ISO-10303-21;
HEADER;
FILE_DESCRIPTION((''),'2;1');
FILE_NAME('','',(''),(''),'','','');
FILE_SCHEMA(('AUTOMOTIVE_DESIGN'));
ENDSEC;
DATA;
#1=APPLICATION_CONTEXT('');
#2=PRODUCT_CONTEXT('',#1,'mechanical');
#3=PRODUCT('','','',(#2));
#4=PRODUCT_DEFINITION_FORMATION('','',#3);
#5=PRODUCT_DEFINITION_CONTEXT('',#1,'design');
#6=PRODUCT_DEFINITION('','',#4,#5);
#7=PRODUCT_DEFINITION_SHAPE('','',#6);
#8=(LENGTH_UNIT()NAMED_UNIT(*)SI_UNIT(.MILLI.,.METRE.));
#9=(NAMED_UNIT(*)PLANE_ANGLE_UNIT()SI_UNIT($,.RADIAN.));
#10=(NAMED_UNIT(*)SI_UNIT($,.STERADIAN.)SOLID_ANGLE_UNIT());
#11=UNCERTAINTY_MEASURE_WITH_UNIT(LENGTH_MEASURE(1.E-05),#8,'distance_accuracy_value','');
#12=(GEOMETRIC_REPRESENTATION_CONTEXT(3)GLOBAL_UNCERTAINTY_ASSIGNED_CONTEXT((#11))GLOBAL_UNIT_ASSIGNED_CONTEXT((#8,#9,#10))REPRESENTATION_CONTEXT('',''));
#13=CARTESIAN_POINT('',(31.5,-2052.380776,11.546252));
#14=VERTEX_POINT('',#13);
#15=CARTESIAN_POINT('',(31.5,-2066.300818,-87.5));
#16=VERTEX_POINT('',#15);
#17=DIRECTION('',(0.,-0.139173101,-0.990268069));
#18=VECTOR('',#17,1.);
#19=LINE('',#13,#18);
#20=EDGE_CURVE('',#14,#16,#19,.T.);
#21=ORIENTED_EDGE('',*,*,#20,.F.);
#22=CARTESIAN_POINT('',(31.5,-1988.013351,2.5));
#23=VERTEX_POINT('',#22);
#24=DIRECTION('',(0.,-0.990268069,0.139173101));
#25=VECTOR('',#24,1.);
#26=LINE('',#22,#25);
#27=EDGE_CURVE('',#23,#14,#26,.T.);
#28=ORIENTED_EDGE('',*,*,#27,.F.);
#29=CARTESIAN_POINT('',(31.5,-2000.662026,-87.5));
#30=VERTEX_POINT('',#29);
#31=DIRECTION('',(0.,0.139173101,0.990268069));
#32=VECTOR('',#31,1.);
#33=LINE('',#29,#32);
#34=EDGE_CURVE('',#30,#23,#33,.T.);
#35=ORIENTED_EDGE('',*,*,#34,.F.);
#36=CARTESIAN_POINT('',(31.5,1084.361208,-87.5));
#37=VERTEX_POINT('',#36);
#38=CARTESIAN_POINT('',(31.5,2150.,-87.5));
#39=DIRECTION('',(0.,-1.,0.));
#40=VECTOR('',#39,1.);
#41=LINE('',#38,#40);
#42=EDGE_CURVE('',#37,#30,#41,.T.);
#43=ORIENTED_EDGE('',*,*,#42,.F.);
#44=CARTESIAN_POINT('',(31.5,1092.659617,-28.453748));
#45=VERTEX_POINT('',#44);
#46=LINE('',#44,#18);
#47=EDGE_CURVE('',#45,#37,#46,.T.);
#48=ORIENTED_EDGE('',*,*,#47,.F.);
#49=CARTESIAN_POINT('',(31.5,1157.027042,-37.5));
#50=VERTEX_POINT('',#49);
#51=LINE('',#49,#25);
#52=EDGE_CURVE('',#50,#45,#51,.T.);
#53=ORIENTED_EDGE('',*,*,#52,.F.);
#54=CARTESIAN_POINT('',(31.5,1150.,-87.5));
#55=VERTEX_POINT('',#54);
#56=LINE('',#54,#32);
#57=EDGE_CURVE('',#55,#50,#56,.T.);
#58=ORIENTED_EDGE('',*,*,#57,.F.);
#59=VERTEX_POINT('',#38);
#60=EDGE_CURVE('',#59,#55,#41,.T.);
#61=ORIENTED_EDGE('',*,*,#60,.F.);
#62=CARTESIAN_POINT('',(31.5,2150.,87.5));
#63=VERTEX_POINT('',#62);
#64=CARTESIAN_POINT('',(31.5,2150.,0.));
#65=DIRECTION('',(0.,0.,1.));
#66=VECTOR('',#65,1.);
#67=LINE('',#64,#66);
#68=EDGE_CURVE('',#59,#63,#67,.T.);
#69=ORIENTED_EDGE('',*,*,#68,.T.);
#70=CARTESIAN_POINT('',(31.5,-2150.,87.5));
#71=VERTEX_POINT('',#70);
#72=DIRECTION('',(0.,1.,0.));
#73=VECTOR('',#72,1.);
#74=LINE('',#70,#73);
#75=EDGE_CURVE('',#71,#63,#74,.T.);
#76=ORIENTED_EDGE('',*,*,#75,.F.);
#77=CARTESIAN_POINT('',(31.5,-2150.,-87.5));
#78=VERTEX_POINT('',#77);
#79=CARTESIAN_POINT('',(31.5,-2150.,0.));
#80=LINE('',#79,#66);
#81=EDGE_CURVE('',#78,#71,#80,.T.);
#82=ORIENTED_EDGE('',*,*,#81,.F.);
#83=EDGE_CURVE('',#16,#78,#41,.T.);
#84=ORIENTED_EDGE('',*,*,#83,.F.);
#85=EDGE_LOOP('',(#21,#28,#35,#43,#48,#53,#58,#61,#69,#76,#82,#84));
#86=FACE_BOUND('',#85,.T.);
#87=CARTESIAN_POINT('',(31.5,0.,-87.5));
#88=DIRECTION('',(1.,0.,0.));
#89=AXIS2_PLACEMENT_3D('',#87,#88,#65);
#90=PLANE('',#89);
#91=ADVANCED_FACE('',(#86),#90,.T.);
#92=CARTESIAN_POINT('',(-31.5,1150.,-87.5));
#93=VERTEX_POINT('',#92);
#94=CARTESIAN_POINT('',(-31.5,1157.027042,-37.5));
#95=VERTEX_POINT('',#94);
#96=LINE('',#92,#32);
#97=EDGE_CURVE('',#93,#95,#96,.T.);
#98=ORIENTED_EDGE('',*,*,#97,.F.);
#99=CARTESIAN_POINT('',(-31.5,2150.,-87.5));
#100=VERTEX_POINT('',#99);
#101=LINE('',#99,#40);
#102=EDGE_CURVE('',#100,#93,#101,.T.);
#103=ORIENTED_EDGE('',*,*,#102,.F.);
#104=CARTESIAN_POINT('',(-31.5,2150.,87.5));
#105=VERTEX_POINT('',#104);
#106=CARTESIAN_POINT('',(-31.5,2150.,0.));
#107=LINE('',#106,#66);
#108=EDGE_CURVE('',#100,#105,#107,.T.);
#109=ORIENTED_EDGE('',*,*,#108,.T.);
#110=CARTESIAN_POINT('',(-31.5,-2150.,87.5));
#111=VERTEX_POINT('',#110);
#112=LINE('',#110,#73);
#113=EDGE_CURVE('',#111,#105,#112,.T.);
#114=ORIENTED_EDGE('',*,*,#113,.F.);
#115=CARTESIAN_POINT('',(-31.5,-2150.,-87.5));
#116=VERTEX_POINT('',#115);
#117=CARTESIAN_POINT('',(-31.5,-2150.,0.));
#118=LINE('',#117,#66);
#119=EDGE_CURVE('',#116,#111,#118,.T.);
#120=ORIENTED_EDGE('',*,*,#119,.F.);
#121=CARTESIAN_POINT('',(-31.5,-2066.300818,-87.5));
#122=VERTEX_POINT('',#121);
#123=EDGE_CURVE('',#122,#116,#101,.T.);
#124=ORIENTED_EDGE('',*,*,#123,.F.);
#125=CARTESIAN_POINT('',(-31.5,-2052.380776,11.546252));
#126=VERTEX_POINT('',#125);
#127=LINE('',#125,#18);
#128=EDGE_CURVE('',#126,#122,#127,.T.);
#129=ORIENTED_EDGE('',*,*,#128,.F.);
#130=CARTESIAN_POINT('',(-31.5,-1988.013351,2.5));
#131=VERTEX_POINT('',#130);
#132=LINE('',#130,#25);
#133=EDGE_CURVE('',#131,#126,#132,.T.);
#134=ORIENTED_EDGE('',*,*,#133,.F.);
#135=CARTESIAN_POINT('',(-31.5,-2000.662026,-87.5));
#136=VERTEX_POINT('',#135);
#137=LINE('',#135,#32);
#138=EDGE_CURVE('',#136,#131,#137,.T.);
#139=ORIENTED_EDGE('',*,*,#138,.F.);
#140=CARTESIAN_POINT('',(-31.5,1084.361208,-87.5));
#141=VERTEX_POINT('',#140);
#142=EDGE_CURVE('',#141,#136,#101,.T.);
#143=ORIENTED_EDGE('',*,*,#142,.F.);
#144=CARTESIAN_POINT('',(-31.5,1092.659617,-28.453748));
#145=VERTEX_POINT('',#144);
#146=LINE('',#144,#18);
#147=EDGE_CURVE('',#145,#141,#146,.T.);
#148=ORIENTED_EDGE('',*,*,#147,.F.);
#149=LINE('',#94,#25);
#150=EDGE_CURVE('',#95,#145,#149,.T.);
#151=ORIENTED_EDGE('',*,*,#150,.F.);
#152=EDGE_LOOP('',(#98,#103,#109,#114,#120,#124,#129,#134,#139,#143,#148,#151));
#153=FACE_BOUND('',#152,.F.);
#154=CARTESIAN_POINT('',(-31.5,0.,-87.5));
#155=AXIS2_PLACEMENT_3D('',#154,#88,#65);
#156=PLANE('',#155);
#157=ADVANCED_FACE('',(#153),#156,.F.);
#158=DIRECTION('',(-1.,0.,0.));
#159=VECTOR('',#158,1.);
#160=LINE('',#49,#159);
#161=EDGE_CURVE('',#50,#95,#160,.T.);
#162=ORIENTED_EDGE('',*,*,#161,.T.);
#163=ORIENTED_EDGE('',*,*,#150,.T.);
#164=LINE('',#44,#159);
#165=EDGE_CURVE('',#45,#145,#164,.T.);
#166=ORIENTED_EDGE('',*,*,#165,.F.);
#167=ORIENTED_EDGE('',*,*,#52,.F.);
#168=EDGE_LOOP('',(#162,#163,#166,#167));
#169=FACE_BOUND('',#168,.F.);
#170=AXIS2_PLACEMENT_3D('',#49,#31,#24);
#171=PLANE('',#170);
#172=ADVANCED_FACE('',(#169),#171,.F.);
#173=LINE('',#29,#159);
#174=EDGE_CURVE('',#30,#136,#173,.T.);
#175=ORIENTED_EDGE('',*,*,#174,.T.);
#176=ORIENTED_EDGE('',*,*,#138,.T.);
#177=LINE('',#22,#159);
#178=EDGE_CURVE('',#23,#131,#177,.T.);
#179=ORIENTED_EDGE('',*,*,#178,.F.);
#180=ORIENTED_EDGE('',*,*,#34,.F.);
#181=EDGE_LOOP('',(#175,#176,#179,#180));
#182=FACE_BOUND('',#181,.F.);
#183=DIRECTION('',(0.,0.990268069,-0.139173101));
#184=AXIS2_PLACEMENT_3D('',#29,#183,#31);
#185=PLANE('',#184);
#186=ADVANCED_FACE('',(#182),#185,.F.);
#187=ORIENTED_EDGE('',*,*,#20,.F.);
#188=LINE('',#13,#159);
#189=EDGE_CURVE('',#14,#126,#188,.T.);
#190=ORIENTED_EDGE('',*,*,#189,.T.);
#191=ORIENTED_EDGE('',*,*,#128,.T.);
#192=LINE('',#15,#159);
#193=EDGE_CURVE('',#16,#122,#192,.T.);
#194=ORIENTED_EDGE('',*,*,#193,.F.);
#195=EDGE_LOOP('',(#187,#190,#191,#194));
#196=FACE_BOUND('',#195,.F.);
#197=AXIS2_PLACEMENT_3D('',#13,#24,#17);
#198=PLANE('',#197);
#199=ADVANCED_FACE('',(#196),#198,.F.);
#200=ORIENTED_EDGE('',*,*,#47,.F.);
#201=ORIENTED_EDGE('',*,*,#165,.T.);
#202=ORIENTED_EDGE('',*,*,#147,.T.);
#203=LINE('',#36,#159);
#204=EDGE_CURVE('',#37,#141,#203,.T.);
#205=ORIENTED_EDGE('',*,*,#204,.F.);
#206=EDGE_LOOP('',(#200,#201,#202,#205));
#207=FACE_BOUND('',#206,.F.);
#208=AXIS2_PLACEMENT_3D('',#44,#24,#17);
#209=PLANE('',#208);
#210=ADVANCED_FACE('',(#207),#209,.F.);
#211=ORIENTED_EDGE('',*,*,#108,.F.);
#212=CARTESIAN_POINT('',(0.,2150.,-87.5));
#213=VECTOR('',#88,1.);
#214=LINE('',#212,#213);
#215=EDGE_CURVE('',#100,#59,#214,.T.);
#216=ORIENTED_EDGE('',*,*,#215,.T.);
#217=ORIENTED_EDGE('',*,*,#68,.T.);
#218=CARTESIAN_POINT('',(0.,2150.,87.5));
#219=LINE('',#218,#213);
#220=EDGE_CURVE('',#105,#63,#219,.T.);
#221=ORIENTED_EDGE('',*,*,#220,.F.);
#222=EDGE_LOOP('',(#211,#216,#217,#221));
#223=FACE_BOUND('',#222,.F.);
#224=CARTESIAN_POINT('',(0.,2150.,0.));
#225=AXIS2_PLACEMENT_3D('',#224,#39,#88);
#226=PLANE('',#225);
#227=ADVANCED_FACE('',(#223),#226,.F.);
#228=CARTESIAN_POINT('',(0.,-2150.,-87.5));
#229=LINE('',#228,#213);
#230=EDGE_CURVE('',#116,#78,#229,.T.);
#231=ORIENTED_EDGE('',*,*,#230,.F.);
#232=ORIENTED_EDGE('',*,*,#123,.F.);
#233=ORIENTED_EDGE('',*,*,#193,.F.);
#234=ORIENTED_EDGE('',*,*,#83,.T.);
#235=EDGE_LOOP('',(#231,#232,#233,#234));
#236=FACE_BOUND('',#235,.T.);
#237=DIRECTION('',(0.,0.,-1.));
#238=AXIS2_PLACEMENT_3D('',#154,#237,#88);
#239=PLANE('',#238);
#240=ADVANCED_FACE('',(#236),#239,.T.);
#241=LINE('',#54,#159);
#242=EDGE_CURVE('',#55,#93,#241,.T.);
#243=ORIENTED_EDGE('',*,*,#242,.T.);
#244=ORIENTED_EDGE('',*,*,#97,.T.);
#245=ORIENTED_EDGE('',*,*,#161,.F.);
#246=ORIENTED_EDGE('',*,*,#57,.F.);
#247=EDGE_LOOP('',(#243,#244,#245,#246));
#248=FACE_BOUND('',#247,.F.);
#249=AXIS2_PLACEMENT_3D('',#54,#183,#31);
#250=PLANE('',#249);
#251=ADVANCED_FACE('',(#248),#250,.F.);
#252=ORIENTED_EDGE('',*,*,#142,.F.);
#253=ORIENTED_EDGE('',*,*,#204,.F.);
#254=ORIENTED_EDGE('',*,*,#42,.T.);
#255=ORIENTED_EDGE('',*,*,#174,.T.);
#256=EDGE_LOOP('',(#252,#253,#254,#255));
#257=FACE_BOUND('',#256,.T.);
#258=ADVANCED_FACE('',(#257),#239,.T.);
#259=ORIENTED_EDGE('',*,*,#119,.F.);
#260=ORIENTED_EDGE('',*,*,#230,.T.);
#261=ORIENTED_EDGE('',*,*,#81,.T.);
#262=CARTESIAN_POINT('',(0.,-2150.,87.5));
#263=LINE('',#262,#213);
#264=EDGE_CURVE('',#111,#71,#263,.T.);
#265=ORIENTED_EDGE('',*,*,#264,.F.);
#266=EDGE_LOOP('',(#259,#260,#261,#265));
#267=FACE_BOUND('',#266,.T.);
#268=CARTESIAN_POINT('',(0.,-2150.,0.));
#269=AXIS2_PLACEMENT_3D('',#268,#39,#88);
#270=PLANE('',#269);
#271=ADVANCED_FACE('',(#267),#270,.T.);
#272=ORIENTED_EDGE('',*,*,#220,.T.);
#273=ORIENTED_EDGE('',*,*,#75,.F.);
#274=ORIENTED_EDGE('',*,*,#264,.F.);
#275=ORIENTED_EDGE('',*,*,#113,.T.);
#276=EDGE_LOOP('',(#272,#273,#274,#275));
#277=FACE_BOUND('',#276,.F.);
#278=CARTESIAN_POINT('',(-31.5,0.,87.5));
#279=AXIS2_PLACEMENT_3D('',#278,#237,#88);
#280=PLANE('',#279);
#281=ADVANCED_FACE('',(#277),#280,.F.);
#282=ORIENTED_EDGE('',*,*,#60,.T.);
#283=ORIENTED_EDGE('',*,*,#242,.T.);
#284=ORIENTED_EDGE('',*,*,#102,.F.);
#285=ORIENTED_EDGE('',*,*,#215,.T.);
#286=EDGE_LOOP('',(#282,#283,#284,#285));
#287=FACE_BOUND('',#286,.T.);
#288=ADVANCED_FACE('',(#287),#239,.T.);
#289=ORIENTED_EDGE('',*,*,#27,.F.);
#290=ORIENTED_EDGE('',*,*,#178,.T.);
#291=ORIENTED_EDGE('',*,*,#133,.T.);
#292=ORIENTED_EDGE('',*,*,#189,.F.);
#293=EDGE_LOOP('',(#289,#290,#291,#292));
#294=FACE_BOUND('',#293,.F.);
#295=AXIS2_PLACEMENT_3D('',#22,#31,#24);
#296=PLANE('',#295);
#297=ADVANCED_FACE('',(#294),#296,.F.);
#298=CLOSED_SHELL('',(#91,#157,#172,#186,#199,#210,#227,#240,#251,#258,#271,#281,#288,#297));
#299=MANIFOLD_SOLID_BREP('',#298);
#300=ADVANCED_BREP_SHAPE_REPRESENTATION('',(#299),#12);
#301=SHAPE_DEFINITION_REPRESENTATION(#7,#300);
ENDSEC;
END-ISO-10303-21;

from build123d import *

# Parameters (mm, degrees)
F0_W     = 63
F0_H     = 175
F1_DEPTH = 2150
F3_DEPTH = 63


with BuildPart() as f1:
    # F0 (on Front) → F1 (new body, symmetric)
    with BuildSketch(Plane.XZ):
        Rectangle(F0_W, F0_H)
    extrude(amount=F1_DEPTH, both=True)

    # F2 (on face) → F3 (cut, through all)
    with BuildSketch(Plane.YZ.offset(31.5)):
        Polygon((1084.3612077863, -87.5), (1150, -87.5), (1157.0270417351, -37.5), (1092.6596172669, -28.4537484376), align=None)
        Polygon((-2066.3008184718, -87.5), (-2000.6620262581, -87.5), (-1988.0133511349, 2.5), (-2052.3807756031, 11.5462515624), align=None)
    extrude(amount=-F3_DEPTH, mode=Mode.SUBTRACT)


solid = f1.part
